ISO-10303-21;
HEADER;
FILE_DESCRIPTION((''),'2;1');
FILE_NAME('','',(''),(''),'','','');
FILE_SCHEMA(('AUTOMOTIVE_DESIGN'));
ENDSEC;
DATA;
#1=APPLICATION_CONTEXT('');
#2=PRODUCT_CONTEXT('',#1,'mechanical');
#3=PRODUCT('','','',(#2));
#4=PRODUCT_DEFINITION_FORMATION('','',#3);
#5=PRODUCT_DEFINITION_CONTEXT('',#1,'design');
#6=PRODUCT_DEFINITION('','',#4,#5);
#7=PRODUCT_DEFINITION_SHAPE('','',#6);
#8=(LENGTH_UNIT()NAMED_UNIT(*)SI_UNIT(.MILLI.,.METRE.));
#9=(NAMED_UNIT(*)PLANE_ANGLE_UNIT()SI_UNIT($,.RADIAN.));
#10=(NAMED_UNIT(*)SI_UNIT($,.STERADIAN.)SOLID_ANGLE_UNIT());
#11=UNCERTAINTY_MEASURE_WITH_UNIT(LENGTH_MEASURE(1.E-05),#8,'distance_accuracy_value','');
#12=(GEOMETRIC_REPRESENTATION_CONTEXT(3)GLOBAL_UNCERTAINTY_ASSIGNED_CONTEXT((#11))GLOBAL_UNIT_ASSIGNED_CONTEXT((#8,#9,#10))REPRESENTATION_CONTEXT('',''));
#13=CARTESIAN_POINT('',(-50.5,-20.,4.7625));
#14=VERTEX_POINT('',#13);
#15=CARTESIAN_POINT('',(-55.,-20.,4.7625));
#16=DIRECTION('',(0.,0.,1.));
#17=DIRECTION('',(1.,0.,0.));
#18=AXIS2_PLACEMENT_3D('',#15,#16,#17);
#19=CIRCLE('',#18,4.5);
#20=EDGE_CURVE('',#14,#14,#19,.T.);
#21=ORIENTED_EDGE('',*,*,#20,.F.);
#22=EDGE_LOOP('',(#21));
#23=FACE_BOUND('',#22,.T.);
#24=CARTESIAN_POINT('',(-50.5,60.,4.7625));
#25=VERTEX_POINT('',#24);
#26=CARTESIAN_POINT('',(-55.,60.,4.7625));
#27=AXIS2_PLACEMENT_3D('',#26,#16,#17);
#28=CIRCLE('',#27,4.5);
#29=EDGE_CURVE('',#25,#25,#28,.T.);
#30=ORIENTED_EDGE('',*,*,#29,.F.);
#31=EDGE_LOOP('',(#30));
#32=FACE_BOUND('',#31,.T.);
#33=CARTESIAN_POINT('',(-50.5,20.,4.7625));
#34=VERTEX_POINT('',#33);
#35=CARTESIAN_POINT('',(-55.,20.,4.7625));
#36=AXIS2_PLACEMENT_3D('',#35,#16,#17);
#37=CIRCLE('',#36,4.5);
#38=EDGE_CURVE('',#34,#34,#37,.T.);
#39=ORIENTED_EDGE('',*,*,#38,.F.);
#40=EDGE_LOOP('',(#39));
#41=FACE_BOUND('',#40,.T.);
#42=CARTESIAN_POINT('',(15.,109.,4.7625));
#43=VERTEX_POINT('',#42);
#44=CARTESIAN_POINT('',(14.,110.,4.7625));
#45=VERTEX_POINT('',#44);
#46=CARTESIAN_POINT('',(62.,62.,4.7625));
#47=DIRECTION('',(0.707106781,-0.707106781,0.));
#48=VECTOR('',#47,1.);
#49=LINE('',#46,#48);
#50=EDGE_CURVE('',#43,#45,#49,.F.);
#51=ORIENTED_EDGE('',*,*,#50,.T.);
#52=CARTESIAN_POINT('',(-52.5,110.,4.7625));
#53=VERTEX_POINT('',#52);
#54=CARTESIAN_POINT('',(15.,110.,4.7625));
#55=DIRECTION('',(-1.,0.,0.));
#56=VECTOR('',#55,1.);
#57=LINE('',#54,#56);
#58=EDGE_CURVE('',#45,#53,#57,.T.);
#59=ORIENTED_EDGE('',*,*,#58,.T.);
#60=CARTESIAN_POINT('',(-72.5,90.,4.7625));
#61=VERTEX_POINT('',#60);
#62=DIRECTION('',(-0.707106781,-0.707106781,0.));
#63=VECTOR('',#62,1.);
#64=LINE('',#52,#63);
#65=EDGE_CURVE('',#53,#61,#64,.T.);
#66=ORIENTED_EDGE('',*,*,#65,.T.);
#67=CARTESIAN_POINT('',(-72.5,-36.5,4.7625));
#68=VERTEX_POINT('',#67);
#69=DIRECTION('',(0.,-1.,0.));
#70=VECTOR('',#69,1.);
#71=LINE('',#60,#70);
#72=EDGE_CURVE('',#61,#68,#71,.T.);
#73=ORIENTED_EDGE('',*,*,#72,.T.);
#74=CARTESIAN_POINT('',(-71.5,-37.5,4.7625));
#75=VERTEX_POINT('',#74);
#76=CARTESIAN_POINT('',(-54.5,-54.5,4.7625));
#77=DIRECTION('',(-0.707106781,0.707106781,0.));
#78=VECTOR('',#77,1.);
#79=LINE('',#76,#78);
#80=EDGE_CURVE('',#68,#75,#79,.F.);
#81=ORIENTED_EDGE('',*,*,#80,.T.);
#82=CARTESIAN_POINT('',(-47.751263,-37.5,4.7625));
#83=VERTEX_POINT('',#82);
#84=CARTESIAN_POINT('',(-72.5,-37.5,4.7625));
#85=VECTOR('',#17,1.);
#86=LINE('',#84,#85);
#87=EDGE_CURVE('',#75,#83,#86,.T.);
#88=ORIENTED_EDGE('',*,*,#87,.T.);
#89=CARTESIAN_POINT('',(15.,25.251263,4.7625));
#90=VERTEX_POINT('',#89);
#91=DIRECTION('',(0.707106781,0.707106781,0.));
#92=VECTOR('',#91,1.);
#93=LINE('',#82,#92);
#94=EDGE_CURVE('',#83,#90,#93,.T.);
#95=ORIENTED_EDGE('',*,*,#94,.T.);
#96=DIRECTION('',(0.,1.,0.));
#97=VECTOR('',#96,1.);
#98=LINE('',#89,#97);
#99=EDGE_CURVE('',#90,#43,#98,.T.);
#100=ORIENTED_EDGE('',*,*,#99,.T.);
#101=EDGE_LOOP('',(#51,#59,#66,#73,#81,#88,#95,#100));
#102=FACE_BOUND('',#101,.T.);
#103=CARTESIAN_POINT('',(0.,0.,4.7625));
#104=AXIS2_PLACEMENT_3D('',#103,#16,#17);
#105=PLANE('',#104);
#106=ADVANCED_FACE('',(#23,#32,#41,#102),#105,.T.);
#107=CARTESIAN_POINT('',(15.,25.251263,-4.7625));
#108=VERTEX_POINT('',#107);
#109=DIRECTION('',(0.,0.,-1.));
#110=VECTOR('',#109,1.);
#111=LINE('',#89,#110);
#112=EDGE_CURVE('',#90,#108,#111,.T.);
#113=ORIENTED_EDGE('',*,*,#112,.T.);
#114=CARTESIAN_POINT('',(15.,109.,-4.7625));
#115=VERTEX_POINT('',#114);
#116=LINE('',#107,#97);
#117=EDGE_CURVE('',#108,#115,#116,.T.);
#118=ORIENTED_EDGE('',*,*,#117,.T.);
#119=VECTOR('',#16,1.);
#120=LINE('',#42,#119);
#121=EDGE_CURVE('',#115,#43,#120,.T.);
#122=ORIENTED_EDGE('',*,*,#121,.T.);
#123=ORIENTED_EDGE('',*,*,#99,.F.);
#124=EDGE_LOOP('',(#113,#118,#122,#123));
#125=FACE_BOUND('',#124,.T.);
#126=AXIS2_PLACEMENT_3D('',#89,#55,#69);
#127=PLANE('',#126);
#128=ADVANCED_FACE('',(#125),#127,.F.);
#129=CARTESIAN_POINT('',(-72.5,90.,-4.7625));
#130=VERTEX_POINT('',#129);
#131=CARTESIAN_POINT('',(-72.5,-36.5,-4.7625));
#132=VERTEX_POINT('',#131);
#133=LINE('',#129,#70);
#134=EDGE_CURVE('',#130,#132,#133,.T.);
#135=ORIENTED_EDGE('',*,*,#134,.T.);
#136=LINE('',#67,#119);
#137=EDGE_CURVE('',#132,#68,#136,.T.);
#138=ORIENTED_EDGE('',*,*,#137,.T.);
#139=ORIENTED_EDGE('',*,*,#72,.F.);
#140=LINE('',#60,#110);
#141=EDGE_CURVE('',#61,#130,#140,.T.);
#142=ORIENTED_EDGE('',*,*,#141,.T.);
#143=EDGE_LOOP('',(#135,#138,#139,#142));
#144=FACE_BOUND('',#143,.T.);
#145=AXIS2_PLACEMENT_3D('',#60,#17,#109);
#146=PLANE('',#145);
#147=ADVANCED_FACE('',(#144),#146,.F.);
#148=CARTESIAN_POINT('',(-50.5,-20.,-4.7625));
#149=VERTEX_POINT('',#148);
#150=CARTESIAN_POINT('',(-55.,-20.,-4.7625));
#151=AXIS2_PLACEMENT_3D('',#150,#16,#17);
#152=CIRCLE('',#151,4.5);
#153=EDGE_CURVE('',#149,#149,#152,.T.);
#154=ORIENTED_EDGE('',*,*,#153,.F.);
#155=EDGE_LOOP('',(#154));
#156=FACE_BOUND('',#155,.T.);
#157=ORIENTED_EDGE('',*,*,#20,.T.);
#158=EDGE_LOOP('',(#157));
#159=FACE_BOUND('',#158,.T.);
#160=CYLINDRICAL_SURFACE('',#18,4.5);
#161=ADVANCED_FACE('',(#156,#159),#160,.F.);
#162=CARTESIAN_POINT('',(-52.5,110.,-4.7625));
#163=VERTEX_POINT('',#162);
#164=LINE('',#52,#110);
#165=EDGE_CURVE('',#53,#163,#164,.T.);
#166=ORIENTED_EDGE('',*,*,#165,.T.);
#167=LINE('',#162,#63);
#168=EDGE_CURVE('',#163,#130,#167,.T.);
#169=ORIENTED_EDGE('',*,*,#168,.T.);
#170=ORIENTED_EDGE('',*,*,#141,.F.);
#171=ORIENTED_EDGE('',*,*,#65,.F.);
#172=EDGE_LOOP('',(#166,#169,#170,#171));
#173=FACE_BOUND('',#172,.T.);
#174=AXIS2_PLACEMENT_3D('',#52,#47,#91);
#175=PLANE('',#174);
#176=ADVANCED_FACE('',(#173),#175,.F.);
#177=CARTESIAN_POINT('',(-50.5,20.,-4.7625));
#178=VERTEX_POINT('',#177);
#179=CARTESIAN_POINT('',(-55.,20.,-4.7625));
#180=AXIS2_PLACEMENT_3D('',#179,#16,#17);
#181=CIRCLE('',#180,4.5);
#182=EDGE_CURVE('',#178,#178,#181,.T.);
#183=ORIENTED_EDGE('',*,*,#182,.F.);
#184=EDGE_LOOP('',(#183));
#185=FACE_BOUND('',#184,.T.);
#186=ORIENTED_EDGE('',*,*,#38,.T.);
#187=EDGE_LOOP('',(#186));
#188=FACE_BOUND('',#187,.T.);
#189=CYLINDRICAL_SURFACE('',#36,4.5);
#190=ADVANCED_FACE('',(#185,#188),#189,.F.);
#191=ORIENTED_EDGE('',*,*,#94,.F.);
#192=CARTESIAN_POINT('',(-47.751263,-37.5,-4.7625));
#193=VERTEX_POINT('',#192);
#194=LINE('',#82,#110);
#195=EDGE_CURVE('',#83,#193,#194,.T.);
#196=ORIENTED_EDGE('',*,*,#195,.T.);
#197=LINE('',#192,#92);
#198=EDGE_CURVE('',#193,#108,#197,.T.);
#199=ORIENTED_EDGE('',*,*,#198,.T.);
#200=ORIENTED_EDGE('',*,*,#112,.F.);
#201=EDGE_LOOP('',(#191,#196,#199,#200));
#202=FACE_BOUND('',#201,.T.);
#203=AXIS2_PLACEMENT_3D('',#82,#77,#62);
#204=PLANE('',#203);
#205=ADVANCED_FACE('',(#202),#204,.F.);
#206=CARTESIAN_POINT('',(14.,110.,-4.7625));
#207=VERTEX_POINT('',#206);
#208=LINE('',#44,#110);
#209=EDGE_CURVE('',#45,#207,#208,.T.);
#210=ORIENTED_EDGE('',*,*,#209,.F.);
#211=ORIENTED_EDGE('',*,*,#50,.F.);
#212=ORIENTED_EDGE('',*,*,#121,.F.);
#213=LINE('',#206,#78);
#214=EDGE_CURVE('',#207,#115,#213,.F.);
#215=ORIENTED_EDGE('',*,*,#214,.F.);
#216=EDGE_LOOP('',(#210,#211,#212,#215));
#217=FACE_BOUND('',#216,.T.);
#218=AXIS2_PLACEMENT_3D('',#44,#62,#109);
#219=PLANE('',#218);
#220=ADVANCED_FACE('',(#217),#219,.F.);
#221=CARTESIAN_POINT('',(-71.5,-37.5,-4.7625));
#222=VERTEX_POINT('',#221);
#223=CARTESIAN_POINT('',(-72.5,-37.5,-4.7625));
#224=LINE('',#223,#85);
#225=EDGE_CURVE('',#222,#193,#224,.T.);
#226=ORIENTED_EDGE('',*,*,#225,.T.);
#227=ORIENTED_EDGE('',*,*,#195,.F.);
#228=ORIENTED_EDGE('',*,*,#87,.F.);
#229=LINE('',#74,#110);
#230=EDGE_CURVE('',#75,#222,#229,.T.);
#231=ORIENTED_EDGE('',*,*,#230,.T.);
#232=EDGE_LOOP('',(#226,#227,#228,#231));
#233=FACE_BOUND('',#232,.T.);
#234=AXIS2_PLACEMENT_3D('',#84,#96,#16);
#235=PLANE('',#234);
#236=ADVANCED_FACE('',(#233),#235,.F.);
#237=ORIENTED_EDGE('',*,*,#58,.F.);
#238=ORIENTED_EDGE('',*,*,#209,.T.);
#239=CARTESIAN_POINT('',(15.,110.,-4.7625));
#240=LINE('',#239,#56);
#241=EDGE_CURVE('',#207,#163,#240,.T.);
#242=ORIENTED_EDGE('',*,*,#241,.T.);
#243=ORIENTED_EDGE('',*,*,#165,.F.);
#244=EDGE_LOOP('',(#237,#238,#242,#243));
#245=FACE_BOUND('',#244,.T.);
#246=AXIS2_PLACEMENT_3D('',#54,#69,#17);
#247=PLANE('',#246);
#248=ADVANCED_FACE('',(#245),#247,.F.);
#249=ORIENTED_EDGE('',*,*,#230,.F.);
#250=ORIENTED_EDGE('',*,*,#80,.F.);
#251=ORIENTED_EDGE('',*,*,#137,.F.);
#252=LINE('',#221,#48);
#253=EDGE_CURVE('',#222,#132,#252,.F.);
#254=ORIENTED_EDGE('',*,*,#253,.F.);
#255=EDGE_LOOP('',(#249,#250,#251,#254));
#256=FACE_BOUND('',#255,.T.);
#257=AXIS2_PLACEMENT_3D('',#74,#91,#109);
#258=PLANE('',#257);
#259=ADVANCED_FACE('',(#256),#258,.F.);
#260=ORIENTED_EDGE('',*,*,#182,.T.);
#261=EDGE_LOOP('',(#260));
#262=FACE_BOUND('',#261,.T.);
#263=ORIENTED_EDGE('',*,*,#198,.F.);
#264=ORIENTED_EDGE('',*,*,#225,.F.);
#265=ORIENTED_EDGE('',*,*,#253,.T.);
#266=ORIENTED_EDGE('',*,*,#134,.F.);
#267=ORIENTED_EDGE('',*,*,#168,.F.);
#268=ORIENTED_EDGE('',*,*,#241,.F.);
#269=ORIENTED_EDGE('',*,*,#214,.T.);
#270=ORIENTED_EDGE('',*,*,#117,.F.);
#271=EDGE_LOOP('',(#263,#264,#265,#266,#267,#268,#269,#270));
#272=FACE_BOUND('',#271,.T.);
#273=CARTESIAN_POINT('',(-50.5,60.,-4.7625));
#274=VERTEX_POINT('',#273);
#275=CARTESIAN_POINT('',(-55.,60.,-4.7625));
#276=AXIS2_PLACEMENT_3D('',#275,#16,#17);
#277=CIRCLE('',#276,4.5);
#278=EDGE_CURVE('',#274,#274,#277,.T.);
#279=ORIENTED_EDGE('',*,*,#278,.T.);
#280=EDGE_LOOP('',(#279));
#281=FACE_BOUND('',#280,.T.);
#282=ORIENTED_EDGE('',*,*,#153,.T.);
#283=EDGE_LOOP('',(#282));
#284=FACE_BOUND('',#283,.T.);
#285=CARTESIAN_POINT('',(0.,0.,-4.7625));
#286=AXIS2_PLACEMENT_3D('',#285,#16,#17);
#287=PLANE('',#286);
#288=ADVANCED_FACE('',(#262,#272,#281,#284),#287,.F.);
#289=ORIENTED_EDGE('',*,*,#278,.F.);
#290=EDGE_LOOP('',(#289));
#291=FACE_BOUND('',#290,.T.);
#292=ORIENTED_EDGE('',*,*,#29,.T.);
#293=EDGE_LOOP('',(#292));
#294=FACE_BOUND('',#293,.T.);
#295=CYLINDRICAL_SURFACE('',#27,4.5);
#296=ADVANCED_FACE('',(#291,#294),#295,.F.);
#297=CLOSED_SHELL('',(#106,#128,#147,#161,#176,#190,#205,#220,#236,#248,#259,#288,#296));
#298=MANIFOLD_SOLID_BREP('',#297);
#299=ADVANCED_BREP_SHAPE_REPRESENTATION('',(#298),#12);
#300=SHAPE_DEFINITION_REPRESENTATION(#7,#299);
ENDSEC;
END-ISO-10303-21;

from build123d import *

# Parameters (mm, degrees)
BOSS_EXTRUDE1_DEPTH  = 4.7625
M8_CLEARANCE_HOLE1_D = 9
CHAMFER1_SIZE        = 1


with BuildPart() as part:
    # Sketch1 → Boss-Extrude1 (new, symmetric)
    with BuildSketch(Plane.XY):
        Polygon((-72.5, -37.5), (-47.751262658, -37.5), (15, 25.251262658), (15, 110), (-52.5, 110), (-72.5, 90), align=None)
    extrude(amount=BOSS_EXTRUDE1_DEPTH, both=True)

    # M8 Clearance Hole1 (through all)
    with Locations(Plane.XY.offset(4.7625)):
        with Locations((-55, 60), (-55, 20), (-55, -20)):
            Hole(M8_CLEARANCE_HOLE1_D / 2)

    # Chamfer1
    chamfer1_edges = [part.edges().sort_by_distance(p)[0] for p in [
        (15, 110, 0),
        (-72.5, -37.5, 0),
    ]]
    chamfer(chamfer1_edges, length=CHAMFER1_SIZE)


solid = part.part
